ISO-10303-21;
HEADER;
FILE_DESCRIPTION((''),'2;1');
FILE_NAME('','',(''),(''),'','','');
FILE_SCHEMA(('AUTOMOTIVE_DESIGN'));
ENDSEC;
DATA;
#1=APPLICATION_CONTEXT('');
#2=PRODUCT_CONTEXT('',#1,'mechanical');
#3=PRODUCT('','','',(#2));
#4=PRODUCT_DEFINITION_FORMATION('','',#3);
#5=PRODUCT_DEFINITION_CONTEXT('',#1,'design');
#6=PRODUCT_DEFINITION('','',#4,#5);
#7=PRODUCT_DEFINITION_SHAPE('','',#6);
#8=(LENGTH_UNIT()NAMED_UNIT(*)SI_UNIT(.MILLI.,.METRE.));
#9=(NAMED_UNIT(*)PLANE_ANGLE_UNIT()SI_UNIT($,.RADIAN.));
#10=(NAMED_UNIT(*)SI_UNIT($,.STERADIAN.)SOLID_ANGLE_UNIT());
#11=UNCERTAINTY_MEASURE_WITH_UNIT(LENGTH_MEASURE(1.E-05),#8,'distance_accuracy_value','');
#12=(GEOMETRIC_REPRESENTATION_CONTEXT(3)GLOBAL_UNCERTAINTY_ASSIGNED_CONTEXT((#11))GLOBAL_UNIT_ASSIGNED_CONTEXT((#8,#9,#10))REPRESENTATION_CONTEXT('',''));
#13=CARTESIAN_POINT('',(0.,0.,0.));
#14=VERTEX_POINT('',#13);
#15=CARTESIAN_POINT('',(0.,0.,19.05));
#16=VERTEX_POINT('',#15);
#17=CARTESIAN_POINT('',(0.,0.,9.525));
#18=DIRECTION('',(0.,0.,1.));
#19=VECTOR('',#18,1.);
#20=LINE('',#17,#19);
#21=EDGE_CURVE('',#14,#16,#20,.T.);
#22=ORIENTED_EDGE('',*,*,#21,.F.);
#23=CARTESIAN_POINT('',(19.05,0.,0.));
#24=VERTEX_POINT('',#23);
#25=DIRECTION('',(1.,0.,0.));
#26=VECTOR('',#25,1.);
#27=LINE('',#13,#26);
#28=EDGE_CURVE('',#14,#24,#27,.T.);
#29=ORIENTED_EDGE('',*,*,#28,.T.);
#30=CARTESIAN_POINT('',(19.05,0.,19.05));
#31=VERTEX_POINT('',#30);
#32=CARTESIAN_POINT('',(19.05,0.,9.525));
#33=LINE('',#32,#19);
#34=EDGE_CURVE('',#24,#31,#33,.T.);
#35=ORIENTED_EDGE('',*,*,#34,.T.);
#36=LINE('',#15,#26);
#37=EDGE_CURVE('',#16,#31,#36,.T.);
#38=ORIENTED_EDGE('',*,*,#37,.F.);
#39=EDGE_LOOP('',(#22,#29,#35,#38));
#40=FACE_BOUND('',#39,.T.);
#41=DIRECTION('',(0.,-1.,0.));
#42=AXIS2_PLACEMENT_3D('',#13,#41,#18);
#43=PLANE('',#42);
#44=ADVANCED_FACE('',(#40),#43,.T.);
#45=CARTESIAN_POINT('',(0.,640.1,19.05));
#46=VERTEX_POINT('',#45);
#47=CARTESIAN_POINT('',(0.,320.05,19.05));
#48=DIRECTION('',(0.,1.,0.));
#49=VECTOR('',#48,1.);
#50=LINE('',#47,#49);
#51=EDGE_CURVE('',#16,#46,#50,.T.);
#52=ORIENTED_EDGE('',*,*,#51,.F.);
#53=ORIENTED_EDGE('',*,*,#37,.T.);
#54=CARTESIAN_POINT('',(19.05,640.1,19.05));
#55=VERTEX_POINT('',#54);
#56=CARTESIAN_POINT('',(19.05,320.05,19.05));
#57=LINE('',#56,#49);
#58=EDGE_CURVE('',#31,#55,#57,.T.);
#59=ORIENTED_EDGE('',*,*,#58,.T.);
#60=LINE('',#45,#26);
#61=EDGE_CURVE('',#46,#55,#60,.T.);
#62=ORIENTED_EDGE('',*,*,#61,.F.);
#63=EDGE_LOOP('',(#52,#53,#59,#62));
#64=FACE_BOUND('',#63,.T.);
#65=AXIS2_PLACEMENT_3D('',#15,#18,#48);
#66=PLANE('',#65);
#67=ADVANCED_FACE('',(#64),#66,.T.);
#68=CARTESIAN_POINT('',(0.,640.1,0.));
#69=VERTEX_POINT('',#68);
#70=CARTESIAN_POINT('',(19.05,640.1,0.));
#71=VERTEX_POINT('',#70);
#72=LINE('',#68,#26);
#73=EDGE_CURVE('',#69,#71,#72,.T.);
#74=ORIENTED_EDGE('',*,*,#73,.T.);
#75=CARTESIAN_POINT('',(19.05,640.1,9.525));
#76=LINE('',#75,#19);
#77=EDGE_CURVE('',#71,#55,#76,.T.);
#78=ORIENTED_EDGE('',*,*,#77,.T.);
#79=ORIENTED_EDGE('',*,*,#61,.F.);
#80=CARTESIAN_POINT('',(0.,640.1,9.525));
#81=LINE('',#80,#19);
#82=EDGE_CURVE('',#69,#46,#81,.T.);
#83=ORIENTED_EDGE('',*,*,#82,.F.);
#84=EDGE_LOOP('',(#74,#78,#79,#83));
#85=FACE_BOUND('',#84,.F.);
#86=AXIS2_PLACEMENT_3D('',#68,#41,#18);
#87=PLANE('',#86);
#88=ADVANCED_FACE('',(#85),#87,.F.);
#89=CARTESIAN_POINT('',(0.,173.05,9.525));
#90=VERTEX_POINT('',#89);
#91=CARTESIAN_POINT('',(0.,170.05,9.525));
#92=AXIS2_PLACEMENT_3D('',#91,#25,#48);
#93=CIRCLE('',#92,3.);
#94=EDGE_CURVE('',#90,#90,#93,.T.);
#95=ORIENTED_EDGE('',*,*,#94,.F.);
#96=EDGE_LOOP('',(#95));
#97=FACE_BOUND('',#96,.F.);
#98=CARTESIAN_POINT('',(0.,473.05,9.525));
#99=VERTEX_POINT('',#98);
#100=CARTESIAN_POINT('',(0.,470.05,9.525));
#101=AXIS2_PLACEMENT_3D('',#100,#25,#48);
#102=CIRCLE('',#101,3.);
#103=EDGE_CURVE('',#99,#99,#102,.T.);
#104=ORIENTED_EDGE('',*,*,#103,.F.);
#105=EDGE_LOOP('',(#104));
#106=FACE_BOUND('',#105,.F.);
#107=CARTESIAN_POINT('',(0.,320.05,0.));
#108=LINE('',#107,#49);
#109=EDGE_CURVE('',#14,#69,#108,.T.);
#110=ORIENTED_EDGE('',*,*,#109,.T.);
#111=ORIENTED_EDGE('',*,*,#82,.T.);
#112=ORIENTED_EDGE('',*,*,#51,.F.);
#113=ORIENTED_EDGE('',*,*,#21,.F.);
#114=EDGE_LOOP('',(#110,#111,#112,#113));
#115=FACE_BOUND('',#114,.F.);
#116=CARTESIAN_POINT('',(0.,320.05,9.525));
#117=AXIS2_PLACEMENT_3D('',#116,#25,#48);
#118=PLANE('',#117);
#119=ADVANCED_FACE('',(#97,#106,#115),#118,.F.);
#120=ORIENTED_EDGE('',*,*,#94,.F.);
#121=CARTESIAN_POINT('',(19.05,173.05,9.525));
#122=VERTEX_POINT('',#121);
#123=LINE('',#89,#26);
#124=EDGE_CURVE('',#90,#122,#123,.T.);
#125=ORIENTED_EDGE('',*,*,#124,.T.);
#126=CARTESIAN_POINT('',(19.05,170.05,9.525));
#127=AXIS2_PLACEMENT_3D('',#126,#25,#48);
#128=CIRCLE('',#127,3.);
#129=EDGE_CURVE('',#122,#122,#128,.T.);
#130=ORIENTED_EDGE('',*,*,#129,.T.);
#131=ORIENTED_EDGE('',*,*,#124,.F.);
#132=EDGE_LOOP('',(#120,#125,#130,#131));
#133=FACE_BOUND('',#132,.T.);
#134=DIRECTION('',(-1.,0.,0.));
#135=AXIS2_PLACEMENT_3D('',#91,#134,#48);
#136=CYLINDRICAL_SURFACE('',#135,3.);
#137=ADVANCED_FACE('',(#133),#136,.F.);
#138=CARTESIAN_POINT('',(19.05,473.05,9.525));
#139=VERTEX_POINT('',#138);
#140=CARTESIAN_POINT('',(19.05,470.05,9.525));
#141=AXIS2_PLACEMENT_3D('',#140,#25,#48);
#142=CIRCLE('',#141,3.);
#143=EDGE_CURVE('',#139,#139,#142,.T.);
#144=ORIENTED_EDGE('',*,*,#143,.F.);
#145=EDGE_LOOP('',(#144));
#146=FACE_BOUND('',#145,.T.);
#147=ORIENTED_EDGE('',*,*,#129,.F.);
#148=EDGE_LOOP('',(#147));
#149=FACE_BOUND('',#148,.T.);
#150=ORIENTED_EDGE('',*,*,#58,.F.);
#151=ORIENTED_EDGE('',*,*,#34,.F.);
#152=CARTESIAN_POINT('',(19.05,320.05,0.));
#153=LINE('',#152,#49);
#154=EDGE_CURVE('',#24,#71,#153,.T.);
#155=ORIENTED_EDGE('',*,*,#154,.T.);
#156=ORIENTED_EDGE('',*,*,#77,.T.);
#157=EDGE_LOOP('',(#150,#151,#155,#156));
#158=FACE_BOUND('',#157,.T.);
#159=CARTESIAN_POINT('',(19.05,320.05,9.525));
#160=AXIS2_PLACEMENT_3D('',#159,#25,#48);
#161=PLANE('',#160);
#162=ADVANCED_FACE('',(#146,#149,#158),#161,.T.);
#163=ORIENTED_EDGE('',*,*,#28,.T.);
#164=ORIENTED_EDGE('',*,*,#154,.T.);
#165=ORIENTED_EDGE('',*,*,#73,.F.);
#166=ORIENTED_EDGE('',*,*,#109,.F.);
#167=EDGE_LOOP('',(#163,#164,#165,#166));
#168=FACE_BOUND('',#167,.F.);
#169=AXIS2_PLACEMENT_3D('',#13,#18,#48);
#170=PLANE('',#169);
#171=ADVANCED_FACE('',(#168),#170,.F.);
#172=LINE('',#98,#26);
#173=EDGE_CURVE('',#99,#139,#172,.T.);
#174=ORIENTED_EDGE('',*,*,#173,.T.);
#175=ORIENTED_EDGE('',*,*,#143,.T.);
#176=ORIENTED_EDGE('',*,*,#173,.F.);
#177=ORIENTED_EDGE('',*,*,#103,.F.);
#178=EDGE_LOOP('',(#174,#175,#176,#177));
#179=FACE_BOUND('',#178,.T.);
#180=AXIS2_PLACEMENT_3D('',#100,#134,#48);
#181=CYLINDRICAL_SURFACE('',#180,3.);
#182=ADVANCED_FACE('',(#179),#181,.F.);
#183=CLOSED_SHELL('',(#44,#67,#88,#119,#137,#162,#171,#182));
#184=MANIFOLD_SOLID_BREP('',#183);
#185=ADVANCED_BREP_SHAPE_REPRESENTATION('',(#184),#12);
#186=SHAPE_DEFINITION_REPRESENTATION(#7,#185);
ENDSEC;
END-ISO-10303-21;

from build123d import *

# Parameters (mm, degrees)
SKETCH_W  = 640.1
SKETCH_H  = 19.05
SKETCH_R  = 3
PAD_DEPTH = 19.05


with BuildPart() as part:
    # Sketch → Pad (new body)
    with BuildSketch(Plane.YZ):
        with Locations((320.05, 9.525)):
            Rectangle(SKETCH_W, SKETCH_H)
        with Locations((170.05, 9.525)):
            Circle(SKETCH_R, mode=Mode.SUBTRACT)
        with Locations((470.05, 9.525)):
            Circle(SKETCH_R, mode=Mode.SUBTRACT)
    extrude(amount=PAD_DEPTH)


solid = part.part
